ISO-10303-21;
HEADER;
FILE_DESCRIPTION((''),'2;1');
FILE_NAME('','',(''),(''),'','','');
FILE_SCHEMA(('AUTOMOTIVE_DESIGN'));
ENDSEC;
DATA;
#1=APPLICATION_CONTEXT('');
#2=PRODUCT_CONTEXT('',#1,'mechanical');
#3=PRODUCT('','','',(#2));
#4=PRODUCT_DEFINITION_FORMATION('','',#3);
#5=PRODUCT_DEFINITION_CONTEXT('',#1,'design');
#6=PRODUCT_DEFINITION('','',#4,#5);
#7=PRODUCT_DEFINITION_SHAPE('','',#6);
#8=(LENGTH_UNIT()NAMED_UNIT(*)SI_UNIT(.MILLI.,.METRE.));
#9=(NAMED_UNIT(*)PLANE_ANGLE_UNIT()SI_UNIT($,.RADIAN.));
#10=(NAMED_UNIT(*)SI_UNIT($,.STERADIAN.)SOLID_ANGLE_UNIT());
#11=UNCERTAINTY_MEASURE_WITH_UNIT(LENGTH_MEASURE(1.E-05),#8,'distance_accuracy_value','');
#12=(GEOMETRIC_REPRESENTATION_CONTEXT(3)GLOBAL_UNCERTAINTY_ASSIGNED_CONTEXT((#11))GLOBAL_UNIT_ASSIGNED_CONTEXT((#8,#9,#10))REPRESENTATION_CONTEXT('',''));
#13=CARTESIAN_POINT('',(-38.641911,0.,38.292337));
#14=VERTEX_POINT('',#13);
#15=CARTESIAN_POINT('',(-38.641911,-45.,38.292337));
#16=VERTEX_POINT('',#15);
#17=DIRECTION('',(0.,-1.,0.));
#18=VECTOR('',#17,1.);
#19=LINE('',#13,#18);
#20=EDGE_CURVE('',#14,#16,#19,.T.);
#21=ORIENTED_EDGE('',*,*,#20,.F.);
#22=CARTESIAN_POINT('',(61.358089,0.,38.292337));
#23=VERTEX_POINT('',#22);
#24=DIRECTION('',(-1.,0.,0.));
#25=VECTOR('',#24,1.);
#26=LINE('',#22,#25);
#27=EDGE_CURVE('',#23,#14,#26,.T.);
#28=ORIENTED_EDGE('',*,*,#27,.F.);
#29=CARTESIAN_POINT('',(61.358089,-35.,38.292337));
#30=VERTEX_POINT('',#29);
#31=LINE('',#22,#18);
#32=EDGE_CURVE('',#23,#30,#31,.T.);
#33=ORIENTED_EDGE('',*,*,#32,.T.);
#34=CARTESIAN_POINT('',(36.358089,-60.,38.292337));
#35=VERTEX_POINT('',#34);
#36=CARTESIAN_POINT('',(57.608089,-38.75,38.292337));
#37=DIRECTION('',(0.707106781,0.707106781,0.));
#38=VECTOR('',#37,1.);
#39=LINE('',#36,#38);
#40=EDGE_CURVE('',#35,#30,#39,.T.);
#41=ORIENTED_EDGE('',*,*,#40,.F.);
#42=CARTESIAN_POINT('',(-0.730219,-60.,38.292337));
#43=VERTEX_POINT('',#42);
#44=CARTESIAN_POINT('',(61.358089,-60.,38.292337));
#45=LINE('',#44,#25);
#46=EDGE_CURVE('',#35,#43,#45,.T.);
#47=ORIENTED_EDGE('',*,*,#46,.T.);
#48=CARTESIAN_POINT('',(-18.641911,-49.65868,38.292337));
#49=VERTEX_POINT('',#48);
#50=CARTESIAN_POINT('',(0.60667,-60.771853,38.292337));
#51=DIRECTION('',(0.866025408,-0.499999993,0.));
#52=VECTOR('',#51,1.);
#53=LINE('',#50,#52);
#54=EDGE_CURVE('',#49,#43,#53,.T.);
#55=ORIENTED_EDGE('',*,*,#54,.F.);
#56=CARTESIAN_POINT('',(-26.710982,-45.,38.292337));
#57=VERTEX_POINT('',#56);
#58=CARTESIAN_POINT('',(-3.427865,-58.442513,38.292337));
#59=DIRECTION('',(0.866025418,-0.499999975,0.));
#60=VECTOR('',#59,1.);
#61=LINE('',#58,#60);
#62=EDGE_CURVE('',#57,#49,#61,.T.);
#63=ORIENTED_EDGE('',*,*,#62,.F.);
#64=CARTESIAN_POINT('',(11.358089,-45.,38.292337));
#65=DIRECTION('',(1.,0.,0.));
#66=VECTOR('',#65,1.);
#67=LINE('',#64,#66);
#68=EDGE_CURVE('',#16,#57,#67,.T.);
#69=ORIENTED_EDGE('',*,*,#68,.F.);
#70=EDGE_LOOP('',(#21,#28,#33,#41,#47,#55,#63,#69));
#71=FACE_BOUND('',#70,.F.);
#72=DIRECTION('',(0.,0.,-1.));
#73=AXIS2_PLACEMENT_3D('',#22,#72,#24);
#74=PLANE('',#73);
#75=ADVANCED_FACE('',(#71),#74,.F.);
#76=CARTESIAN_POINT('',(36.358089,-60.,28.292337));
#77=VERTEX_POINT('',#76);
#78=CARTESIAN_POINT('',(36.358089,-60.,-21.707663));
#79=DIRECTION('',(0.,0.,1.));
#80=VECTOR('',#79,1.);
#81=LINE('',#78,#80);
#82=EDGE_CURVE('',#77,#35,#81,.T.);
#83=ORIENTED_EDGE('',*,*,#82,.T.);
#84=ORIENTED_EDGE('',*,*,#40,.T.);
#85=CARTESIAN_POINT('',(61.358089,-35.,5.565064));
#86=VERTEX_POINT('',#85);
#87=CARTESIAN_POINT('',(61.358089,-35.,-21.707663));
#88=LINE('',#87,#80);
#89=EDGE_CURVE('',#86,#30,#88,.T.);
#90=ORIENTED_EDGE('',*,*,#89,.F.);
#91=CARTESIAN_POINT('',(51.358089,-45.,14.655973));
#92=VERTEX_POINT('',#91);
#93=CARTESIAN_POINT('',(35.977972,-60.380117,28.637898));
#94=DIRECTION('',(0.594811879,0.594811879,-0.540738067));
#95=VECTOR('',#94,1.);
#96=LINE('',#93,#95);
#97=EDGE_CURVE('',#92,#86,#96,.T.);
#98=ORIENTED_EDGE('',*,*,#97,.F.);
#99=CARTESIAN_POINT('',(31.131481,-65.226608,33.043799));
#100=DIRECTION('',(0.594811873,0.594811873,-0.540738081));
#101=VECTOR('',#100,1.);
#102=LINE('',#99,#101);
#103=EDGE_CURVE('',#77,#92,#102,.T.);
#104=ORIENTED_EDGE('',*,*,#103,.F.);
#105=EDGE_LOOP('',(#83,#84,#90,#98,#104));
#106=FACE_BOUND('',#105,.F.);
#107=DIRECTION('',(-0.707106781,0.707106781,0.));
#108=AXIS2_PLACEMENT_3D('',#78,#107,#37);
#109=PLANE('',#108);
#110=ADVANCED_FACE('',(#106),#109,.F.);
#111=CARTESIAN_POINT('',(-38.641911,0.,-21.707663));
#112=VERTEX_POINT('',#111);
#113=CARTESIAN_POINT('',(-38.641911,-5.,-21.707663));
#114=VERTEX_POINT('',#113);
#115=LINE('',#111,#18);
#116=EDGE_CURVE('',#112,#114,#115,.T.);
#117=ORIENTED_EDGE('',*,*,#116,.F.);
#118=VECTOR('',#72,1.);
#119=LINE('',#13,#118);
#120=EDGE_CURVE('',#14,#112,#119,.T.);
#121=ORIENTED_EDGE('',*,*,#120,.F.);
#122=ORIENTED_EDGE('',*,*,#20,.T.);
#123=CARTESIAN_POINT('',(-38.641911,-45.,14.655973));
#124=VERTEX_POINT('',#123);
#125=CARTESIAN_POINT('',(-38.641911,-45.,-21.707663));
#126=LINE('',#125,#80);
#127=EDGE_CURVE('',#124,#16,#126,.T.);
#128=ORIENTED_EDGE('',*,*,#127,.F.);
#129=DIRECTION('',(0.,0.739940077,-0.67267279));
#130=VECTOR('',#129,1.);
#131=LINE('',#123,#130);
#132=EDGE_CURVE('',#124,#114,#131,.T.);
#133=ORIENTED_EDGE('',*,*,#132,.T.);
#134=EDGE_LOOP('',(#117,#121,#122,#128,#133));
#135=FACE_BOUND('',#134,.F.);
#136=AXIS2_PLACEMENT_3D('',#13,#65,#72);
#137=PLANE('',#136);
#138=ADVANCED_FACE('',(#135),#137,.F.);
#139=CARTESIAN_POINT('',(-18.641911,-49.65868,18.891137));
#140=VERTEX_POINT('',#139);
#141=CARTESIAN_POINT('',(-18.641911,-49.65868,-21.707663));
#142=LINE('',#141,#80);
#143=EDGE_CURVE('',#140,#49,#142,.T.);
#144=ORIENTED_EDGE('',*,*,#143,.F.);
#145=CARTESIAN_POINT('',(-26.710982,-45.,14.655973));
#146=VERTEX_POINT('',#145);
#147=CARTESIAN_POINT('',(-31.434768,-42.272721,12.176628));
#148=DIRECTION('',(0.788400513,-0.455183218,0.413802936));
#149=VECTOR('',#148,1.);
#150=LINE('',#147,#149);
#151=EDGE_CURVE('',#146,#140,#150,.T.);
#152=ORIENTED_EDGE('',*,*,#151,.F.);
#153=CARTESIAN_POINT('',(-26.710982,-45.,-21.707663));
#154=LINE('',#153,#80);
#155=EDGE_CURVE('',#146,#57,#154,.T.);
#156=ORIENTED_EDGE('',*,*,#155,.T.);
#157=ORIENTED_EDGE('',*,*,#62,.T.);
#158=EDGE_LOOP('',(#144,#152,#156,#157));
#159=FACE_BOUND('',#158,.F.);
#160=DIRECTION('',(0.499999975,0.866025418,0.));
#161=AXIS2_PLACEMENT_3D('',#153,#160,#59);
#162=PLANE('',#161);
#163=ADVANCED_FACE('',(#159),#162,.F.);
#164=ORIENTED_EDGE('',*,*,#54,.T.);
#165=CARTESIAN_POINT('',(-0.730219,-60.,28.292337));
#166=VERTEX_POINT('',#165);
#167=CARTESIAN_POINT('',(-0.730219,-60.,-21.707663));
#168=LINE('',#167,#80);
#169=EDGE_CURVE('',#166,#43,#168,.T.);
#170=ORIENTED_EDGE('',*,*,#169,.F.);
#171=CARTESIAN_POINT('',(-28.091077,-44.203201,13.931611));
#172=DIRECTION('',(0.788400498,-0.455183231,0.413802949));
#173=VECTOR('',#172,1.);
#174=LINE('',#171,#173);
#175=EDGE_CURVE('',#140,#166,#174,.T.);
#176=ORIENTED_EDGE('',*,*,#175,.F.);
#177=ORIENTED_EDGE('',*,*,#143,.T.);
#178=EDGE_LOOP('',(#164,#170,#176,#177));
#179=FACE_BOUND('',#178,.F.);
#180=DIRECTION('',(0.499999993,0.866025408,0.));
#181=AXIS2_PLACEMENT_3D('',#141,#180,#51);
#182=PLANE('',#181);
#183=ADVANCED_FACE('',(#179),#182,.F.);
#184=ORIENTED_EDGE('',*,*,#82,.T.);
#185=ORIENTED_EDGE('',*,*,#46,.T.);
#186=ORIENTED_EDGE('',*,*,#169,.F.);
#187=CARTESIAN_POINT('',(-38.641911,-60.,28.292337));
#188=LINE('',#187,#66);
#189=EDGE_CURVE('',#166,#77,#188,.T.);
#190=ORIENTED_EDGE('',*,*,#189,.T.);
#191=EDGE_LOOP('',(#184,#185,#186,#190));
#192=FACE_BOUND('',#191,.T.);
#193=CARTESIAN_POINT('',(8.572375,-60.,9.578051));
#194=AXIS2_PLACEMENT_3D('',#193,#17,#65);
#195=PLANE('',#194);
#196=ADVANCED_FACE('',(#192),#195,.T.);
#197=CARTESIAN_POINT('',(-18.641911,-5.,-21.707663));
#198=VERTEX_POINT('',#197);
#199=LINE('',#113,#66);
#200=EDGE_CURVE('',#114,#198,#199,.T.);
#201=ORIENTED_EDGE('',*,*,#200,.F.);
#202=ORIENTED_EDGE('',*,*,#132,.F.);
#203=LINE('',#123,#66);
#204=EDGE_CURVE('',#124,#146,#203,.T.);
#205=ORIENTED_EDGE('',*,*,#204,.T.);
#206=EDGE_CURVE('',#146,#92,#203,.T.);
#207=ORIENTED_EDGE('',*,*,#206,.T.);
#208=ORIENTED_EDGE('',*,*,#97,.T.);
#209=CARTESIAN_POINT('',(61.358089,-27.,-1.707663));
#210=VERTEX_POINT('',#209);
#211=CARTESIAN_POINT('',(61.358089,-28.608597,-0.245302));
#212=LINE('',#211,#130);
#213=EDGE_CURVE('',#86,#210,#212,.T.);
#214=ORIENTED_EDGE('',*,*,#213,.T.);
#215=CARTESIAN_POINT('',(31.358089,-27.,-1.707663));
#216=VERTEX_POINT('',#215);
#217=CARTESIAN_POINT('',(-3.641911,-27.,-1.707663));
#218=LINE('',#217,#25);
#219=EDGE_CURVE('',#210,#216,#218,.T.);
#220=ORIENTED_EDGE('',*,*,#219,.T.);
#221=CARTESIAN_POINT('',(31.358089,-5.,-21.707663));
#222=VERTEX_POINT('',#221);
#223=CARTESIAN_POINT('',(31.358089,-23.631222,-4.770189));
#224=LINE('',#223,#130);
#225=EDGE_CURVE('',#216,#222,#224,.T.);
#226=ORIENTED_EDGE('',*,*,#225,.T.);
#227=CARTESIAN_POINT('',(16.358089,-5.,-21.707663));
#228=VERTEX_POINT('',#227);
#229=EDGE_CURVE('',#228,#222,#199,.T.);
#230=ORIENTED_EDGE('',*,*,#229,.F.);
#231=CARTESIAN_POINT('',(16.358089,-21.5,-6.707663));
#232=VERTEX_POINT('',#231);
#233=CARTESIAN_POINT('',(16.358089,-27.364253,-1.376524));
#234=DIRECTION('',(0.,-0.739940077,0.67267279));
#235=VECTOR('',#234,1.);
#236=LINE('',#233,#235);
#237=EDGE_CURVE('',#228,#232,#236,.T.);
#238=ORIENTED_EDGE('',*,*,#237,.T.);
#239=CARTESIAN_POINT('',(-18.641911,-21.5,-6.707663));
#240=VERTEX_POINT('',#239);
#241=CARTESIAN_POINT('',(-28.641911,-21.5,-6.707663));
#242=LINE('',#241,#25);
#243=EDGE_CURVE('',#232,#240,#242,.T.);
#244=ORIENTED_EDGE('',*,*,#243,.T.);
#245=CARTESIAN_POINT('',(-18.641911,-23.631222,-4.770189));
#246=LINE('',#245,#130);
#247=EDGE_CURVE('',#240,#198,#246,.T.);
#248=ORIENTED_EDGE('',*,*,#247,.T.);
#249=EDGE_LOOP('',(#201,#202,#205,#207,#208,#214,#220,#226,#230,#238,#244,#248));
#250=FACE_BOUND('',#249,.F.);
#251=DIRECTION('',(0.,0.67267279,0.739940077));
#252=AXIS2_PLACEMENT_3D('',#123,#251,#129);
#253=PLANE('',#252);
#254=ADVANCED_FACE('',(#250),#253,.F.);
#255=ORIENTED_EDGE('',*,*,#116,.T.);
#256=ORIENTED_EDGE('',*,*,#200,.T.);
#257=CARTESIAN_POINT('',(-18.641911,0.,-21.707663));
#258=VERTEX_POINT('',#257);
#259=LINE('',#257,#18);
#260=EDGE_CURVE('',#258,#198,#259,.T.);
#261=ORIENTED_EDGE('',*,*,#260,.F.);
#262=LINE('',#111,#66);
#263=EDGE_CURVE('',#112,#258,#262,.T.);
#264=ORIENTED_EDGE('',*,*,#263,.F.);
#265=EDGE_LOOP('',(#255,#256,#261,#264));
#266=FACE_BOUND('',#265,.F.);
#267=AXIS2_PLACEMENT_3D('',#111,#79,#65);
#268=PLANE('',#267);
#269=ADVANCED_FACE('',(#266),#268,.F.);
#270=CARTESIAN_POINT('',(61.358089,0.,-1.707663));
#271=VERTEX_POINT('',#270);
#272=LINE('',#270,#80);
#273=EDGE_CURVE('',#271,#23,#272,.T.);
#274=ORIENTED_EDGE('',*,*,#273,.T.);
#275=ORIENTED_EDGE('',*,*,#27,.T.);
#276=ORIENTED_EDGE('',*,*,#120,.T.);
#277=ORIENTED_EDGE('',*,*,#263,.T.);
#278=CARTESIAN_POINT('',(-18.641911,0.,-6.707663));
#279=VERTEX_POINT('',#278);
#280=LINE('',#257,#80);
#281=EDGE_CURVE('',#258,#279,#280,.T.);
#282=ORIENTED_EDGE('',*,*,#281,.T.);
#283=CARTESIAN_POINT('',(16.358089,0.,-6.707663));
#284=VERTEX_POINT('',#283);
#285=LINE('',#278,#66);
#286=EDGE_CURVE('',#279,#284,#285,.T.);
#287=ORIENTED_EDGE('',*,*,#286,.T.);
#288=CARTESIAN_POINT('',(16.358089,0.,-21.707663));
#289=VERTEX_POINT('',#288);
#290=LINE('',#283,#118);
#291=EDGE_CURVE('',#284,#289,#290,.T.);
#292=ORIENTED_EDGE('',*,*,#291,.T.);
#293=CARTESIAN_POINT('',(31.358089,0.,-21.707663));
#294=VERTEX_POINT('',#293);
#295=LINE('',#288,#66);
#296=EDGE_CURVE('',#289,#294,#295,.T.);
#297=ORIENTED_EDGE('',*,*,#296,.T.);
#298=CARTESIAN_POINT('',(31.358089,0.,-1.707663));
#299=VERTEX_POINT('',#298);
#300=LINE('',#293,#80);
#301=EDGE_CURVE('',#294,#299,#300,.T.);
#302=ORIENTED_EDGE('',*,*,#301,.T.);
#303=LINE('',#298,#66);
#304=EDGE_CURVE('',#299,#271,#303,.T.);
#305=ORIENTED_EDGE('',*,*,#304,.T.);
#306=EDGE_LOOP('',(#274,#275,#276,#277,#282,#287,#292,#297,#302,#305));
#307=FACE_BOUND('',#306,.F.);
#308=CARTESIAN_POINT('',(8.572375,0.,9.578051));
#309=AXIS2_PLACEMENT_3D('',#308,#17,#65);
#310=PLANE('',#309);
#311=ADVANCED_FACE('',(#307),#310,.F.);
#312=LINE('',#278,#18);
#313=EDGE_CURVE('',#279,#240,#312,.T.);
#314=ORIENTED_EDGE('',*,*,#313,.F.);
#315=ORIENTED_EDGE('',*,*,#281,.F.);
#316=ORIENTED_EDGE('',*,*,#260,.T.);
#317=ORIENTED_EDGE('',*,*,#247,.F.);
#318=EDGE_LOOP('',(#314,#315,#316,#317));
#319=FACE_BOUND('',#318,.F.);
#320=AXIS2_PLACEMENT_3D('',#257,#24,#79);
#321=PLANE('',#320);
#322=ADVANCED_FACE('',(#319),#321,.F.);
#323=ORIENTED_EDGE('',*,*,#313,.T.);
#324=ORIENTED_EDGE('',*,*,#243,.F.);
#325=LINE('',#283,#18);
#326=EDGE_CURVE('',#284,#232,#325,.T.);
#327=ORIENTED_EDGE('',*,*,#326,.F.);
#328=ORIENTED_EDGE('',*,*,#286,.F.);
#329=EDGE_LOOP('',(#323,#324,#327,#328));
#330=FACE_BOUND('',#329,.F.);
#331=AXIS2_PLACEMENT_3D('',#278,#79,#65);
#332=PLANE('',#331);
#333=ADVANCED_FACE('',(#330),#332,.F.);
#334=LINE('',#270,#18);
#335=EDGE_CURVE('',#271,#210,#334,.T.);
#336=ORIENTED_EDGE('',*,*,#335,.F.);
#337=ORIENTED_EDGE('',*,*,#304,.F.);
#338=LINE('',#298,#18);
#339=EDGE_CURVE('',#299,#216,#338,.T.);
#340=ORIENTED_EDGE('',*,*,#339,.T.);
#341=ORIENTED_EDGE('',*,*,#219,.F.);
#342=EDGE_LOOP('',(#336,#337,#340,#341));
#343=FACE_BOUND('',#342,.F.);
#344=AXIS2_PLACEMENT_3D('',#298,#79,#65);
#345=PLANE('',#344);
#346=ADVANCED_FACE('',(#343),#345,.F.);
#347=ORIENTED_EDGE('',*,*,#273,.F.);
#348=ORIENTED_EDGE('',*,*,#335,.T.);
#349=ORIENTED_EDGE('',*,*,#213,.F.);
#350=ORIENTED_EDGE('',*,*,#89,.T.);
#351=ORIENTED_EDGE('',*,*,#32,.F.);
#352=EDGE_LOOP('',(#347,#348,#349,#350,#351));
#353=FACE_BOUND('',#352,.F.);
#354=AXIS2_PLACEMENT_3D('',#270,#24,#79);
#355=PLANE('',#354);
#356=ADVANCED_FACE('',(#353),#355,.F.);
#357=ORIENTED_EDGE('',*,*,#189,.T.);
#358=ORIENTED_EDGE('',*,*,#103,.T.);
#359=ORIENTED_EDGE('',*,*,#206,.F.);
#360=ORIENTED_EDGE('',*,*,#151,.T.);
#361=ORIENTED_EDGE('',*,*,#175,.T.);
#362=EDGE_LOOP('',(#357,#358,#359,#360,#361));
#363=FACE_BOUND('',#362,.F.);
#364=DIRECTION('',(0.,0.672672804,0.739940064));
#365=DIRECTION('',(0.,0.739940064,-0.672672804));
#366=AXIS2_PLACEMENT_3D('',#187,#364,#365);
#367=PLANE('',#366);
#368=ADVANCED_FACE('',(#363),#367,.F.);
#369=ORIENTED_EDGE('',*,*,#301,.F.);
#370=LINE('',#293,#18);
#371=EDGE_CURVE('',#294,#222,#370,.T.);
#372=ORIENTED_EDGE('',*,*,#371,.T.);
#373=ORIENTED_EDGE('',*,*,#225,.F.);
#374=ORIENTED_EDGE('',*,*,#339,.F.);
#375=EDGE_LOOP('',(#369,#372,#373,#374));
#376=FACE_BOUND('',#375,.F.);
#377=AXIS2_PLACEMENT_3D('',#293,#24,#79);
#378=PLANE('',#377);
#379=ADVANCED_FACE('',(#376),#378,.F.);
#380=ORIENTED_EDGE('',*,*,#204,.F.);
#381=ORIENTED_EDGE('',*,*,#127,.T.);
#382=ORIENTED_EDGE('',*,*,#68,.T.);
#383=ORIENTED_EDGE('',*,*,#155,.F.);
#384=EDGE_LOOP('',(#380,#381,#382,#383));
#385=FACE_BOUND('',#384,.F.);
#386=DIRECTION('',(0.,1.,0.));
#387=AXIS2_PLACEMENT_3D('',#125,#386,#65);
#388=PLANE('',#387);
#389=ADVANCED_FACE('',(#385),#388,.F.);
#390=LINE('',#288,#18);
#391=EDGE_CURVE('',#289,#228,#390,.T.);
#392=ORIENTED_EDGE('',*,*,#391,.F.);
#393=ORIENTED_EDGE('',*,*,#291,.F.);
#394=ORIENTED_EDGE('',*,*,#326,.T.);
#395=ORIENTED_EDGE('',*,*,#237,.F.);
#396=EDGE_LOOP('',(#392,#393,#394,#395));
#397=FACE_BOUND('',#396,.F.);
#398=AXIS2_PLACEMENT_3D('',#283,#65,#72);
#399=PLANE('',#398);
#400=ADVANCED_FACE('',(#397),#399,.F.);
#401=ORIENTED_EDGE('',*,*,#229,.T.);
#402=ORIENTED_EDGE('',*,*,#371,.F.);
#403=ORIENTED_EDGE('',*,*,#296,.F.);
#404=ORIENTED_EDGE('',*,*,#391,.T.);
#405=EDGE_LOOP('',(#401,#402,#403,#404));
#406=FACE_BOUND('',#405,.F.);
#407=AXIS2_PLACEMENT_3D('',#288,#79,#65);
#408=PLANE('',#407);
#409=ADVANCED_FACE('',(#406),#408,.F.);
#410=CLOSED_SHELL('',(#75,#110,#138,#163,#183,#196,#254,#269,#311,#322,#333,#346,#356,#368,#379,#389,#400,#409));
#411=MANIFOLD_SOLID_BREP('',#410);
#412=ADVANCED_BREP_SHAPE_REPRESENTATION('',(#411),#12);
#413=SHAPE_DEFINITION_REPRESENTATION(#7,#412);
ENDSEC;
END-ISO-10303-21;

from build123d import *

# Parameters (mm, degrees)
F3_DEPTH = 60
F5_DEPTH = 60.001
F7_DEPTH = 100.001


with BuildPart() as f3:
    # F2 (on Front) → F3 (new body)
    with BuildSketch(Plane.XZ):
        Polygon((61.358089, 38.292337), (-38.641911, 38.292337), (-38.641911, -21.707663), (-18.641911, -21.707663), (-18.641911, -6.707663), (16.358089, -6.707663), (16.358089, -21.707663), (31.358089, -21.707663), (31.358089, -1.707663), (61.358089, -1.707663), align=None)
    extrude(amount=F3_DEPTH)

    # F4 (on face) → F5 (cut, through all)
    with BuildSketch(Plane(origin=(0, 0, -21.707663), x_dir=(1, 0, 0), z_dir=(0, 0, -1))):
        Polygon((-38.641911, 60), (-38.641911, 45), (-26.710982, 45), (-18.641911, 49.65868), (-18.641911, 60), align=None)
        Polygon((-18.641911, 60), (-18.641911, 49.65868), (-0.730219, 60), align=None)
        Polygon((61.358089, 60), (36.358089, 60), (61.358089, 35), align=None)
    extrude(amount=-F5_DEPTH, mode=Mode.SUBTRACT)

    # F6 (on face) → F7 (cut, through all)
    with BuildSketch(Plane(origin=(-38.641911, 0, 0), x_dir=(0, -1, 0), z_dir=(-1, 0, 0))):
        Polygon((60, -21.707663), (60, 28.292337), (45, 14.655973), (45, -21.707663), align=None)
        Polygon((45, -21.707663), (45, 14.655973), (5, -21.707663), align=None)
    extrude(amount=-F7_DEPTH, mode=Mode.SUBTRACT)


solid = f3.part
